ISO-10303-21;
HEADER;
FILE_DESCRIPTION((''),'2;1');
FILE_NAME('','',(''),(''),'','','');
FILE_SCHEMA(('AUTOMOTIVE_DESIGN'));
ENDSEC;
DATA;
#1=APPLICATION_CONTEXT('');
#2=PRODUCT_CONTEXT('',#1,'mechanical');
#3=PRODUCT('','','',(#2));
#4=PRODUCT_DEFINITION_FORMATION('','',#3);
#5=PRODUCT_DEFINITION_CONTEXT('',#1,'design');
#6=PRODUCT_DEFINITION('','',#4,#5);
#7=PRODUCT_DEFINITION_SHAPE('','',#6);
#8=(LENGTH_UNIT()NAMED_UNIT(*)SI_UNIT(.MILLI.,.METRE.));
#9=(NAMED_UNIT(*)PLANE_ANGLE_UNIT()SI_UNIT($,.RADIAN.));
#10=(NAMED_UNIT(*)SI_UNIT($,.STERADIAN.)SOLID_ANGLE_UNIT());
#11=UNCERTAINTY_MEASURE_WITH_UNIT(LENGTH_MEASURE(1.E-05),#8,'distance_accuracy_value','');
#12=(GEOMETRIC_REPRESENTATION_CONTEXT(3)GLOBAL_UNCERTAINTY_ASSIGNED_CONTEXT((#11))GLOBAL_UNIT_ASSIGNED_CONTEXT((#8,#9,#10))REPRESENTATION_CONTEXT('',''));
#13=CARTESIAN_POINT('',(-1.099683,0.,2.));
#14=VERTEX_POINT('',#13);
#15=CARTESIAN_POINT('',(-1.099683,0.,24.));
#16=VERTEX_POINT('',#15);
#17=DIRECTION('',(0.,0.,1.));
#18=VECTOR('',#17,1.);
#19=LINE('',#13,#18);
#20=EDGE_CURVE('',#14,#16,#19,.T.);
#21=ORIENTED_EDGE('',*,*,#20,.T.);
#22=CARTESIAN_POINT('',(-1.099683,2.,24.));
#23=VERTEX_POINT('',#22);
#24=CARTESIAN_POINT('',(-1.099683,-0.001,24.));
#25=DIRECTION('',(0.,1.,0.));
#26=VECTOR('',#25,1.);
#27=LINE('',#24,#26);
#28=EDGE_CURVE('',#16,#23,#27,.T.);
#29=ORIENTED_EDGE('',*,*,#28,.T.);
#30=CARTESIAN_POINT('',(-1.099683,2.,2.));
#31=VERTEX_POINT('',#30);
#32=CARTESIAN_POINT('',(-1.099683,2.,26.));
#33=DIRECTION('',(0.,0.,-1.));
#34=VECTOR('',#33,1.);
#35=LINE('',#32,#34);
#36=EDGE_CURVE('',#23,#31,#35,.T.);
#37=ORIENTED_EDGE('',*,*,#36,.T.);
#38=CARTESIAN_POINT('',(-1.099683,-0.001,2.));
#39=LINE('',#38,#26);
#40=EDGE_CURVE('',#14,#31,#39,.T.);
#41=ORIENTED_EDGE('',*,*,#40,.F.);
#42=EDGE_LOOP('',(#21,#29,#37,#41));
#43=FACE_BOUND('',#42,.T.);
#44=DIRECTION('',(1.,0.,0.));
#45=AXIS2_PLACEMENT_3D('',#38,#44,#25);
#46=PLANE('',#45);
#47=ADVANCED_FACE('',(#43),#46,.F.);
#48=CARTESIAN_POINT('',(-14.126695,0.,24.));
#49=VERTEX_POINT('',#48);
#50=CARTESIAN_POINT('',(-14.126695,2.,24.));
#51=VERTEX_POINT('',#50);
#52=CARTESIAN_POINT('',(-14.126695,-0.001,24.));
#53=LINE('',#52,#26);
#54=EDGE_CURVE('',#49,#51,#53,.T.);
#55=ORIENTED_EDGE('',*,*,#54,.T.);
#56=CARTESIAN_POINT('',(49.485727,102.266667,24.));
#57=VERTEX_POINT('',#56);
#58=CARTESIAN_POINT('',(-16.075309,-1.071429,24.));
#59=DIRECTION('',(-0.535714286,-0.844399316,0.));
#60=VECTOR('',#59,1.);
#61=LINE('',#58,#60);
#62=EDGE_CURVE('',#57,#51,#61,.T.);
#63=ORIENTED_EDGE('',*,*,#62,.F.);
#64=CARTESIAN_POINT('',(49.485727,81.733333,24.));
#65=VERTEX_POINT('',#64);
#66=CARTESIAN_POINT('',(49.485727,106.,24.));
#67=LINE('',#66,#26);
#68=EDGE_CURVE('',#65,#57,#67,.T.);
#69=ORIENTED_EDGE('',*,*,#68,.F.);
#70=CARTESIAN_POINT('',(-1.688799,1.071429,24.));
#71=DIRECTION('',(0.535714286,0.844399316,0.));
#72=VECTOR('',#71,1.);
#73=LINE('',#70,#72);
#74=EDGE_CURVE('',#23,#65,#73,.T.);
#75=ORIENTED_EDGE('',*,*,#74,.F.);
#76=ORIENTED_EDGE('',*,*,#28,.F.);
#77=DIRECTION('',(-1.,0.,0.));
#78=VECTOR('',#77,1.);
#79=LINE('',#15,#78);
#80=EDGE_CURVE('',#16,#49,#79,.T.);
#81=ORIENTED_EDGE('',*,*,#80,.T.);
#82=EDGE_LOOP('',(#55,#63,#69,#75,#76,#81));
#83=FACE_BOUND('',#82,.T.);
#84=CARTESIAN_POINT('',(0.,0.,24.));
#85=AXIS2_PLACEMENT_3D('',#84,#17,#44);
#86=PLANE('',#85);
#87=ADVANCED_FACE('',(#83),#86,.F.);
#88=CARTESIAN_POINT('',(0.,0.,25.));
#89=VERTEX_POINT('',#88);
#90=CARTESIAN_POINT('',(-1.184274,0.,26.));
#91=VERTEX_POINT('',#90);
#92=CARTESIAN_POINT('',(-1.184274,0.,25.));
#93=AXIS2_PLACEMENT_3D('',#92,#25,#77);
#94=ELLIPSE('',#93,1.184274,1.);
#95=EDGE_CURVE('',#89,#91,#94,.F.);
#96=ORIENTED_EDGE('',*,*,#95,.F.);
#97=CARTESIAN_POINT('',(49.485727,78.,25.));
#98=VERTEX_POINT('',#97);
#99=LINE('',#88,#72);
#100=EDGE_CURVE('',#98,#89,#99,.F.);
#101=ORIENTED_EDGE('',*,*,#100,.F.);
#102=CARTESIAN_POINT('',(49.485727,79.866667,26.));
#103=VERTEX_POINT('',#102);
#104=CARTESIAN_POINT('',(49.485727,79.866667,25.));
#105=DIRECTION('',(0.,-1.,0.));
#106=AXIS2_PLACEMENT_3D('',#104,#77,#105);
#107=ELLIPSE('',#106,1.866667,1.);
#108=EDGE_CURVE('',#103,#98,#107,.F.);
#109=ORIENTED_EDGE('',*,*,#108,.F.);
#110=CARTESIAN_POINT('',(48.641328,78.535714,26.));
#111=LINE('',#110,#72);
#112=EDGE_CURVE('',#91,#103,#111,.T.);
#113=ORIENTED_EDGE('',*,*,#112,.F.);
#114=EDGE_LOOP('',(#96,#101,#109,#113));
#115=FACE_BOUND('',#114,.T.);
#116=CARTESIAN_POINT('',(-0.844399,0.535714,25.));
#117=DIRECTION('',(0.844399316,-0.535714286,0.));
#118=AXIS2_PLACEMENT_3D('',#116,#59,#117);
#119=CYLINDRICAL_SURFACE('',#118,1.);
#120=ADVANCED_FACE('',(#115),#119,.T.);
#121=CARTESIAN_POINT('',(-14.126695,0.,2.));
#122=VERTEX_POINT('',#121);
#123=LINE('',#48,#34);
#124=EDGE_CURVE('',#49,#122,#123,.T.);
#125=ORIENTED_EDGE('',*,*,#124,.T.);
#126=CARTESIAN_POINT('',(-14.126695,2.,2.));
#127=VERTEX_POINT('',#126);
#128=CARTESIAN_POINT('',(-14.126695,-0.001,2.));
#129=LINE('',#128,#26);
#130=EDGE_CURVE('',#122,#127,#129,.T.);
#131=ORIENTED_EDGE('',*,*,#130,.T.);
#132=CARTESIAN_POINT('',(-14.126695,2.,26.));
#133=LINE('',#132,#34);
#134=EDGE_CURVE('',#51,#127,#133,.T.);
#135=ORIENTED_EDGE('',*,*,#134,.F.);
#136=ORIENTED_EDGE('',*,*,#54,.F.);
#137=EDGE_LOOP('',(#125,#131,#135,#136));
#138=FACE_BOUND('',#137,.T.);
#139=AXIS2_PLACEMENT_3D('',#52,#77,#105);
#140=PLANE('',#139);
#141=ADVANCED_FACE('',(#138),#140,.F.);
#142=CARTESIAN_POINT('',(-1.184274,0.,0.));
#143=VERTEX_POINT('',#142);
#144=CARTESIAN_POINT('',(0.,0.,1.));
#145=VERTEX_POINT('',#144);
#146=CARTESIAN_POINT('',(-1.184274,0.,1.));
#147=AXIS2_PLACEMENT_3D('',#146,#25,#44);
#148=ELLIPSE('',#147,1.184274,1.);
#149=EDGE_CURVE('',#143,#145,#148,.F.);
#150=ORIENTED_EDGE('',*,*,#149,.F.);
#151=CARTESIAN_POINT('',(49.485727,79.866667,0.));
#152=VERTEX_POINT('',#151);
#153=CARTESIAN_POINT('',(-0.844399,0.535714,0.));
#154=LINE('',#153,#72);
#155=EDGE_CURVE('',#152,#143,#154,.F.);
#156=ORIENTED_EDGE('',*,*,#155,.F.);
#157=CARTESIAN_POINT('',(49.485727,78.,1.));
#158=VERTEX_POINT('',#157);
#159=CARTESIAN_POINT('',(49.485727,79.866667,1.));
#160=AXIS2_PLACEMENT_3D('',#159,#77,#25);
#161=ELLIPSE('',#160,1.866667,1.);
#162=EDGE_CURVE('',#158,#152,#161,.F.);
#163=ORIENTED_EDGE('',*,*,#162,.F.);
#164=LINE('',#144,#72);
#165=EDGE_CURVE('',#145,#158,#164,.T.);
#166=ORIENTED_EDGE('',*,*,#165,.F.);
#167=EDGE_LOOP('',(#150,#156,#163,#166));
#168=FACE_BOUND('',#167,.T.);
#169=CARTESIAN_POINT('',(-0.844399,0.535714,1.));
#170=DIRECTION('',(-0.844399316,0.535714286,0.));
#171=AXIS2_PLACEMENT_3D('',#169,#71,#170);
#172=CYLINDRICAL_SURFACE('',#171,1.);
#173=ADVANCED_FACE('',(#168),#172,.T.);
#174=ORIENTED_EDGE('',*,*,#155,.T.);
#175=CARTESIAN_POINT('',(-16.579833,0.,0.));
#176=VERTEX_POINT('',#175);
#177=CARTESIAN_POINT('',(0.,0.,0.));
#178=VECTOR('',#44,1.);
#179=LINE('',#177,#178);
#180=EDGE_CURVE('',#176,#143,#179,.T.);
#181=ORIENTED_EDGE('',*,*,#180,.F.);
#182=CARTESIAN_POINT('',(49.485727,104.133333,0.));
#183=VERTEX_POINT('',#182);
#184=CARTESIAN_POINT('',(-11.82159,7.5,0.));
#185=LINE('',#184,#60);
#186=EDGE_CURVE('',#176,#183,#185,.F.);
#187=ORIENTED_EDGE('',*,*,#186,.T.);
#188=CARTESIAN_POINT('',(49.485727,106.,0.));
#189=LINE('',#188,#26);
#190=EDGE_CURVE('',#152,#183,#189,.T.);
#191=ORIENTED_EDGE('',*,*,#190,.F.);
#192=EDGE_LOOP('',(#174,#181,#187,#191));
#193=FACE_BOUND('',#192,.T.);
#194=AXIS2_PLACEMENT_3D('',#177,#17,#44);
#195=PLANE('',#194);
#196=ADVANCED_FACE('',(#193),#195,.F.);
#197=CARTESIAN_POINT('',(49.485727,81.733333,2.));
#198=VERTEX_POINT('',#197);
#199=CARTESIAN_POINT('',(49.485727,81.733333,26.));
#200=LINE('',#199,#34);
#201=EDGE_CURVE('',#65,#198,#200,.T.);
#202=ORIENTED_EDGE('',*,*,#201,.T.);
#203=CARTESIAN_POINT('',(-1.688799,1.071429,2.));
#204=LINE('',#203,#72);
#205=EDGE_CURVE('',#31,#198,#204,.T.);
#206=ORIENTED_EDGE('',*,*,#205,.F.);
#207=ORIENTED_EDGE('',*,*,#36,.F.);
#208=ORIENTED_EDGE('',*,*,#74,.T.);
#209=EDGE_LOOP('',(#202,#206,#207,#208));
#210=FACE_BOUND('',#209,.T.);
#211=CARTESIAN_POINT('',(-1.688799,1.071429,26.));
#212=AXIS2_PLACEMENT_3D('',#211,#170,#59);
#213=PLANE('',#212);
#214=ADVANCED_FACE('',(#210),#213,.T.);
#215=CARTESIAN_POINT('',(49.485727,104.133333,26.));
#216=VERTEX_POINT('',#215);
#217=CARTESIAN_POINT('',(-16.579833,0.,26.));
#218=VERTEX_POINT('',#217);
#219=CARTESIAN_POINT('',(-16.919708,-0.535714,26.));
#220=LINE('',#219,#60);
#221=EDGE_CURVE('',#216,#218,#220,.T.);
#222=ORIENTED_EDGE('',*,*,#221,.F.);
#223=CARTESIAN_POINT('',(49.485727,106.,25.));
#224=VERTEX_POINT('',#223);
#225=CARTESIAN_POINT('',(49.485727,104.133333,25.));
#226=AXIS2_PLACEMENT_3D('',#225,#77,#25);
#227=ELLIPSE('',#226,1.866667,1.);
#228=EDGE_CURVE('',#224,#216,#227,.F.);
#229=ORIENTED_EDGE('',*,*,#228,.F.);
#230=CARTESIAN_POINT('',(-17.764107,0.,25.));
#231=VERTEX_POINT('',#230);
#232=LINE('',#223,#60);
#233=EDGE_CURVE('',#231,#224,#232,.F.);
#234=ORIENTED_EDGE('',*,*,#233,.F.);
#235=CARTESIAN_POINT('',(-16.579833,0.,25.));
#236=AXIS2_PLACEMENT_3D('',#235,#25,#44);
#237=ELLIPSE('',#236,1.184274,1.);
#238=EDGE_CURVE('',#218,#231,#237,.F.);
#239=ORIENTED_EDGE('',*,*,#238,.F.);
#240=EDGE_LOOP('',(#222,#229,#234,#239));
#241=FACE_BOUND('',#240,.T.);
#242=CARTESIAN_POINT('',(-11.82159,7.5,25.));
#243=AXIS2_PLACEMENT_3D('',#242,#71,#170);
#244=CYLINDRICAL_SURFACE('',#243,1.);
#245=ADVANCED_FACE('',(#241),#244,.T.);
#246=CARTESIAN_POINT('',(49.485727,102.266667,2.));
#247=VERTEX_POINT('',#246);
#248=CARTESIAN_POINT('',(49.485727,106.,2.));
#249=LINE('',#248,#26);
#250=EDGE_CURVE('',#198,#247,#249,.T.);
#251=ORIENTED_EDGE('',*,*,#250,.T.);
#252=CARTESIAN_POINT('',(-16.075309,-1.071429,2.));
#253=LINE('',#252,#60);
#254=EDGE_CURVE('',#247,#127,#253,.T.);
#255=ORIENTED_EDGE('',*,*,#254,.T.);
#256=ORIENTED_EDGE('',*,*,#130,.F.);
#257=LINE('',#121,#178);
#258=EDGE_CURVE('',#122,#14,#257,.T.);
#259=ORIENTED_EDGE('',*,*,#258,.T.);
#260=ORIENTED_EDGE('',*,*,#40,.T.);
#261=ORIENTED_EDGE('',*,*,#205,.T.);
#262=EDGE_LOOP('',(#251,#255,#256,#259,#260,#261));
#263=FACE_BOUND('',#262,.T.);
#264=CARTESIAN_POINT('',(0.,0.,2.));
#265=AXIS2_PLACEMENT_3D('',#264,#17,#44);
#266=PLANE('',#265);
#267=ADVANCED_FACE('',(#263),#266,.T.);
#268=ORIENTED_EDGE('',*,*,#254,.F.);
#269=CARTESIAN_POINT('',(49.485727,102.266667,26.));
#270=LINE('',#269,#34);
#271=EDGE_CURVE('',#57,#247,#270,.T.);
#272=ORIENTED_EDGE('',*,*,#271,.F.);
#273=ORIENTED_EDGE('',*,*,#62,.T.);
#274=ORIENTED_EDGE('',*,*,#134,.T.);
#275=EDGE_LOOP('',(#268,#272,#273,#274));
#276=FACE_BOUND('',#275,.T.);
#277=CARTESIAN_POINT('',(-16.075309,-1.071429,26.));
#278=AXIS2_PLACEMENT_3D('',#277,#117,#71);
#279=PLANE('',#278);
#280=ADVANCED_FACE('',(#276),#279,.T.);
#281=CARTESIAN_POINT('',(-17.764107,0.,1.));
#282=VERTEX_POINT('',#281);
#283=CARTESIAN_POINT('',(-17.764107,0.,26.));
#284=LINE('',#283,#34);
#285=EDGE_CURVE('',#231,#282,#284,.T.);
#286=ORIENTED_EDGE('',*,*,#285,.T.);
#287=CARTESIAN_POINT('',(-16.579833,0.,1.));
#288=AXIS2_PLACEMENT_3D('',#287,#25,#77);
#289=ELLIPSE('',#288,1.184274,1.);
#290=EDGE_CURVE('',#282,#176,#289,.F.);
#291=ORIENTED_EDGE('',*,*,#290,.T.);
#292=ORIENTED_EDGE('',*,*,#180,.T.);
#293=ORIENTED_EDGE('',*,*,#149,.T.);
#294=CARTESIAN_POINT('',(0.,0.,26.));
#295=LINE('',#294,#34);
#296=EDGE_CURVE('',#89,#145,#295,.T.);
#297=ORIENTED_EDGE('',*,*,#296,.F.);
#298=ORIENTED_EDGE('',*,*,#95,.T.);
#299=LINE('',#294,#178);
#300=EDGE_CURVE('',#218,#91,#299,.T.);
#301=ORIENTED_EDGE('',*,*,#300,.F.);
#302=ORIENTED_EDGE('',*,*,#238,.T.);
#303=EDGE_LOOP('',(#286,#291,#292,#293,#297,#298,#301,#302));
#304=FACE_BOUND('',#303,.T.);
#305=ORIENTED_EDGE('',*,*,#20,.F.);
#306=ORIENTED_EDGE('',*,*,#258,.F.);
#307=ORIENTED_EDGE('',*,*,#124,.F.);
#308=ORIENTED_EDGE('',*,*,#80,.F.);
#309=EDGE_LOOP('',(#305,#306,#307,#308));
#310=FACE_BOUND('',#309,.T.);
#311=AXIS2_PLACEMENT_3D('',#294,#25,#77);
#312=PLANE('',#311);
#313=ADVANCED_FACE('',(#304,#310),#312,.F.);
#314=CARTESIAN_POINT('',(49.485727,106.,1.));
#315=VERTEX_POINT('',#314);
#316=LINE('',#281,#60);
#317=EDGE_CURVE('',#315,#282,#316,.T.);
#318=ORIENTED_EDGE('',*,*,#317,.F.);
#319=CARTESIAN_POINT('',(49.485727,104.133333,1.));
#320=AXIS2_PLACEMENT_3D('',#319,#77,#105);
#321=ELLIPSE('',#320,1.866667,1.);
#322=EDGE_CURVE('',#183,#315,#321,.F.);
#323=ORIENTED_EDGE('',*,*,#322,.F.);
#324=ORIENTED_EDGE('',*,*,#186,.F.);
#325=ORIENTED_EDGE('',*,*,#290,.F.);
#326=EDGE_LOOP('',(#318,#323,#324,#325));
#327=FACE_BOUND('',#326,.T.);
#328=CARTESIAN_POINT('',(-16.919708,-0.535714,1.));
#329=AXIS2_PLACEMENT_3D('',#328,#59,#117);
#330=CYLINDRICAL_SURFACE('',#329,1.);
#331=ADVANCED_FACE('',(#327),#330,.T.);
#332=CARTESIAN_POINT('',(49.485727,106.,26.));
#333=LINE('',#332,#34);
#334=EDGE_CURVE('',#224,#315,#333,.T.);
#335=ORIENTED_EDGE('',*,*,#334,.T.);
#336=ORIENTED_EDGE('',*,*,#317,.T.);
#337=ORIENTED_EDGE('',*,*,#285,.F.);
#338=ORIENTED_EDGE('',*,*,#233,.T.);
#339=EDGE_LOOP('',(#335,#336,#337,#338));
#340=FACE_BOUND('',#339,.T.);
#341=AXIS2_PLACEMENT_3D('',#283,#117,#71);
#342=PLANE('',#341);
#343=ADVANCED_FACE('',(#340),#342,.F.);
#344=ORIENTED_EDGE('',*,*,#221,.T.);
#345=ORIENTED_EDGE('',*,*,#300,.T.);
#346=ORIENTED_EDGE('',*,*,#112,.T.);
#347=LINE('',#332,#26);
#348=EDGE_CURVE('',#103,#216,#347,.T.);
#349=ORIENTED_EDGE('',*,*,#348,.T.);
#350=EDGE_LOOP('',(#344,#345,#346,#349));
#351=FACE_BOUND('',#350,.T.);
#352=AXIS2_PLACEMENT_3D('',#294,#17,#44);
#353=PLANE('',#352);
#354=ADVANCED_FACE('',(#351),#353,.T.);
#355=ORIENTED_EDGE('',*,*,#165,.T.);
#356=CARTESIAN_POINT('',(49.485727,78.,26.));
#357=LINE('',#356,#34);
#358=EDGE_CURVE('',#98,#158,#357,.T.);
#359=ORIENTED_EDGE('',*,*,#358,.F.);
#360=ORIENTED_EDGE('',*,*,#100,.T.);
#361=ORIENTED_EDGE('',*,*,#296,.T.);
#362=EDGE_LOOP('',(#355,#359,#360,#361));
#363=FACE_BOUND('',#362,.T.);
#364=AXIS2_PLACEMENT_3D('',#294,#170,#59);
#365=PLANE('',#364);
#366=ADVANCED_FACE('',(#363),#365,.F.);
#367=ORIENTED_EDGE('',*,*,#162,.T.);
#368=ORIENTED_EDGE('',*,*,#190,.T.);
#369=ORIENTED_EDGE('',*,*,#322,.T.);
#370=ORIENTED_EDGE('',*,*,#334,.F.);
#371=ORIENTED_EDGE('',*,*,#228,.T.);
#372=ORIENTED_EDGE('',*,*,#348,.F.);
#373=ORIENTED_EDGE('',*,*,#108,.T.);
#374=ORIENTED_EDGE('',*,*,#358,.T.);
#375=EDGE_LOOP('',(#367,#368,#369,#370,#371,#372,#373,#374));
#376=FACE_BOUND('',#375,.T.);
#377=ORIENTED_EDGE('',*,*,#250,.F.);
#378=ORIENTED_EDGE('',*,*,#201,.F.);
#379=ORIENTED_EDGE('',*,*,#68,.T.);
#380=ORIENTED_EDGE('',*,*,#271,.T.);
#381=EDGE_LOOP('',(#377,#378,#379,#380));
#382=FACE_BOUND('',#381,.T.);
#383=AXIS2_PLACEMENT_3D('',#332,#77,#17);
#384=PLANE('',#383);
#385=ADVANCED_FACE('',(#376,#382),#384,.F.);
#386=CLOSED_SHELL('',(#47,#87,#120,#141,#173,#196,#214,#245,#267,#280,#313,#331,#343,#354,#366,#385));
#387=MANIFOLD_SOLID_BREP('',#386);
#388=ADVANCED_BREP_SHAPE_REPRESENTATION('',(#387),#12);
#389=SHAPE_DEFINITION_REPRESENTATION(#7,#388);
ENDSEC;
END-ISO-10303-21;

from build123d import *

# Parameters (mm, degrees)
BOSS_EXTRUDE1_DEPTH = 26
SHELL1_T            = -2
CUT_EXTRUDE1_REACH  = 120.071
SKETCH2_W           = 13.02701198
SKETCH2_H           = 22
FILLET1_R           = 1


with BuildPart() as part:
    # Sketch1 → Boss-Extrude1 (new body)
    with BuildSketch(Plane.XY):
        Polygon((0, 0), (-17.764107246, 0), (49.485727329, 106), (49.485727329, 78), align=None)
    extrude(amount=BOSS_EXTRUDE1_DEPTH)

    # Shell1
    shell1_openings = [part.faces().sort_by_distance(p)[0] for p in [
        (49.485727329, 92, 13),
    ]]
    offset(amount=SHELL1_T, openings=shell1_openings, kind=Kind.INTERSECTION)

    # Sketch2 → Cut-Extrude1 (cut, up to next)
    with BuildSketch(Plane(origin=(0, 2, 0), x_dir=(1, 0, 0), z_dir=(0, 1, 0)), mode=Mode.PRIVATE) as cut_extrude1_sk1:
        with Locations((-7.61318882, -13)):
            Rectangle(SKETCH2_W, SKETCH2_H)
    cut_extrude1_tool1 = extrude(cut_extrude1_sk1.sketch, amount=-CUT_EXTRUDE1_REACH, mode=Mode.PRIVATE) & part.part
    add(cut_extrude1_tool1.solids().sort_by_distance((-7.613189, 2, 13))[0], mode=Mode.SUBTRACT)

    # Fillet1
    fillet1_edges = [part.edges().sort_by_distance(p)[0] for p in [
        (15.860810041, 53, 26),
        (24.742863665, 39, 26),
        (15.860810041, 53, 0),
        (24.742863665, 39, 0),
    ]]
    fillet(fillet1_edges, radius=FILLET1_R)


solid = part.part
